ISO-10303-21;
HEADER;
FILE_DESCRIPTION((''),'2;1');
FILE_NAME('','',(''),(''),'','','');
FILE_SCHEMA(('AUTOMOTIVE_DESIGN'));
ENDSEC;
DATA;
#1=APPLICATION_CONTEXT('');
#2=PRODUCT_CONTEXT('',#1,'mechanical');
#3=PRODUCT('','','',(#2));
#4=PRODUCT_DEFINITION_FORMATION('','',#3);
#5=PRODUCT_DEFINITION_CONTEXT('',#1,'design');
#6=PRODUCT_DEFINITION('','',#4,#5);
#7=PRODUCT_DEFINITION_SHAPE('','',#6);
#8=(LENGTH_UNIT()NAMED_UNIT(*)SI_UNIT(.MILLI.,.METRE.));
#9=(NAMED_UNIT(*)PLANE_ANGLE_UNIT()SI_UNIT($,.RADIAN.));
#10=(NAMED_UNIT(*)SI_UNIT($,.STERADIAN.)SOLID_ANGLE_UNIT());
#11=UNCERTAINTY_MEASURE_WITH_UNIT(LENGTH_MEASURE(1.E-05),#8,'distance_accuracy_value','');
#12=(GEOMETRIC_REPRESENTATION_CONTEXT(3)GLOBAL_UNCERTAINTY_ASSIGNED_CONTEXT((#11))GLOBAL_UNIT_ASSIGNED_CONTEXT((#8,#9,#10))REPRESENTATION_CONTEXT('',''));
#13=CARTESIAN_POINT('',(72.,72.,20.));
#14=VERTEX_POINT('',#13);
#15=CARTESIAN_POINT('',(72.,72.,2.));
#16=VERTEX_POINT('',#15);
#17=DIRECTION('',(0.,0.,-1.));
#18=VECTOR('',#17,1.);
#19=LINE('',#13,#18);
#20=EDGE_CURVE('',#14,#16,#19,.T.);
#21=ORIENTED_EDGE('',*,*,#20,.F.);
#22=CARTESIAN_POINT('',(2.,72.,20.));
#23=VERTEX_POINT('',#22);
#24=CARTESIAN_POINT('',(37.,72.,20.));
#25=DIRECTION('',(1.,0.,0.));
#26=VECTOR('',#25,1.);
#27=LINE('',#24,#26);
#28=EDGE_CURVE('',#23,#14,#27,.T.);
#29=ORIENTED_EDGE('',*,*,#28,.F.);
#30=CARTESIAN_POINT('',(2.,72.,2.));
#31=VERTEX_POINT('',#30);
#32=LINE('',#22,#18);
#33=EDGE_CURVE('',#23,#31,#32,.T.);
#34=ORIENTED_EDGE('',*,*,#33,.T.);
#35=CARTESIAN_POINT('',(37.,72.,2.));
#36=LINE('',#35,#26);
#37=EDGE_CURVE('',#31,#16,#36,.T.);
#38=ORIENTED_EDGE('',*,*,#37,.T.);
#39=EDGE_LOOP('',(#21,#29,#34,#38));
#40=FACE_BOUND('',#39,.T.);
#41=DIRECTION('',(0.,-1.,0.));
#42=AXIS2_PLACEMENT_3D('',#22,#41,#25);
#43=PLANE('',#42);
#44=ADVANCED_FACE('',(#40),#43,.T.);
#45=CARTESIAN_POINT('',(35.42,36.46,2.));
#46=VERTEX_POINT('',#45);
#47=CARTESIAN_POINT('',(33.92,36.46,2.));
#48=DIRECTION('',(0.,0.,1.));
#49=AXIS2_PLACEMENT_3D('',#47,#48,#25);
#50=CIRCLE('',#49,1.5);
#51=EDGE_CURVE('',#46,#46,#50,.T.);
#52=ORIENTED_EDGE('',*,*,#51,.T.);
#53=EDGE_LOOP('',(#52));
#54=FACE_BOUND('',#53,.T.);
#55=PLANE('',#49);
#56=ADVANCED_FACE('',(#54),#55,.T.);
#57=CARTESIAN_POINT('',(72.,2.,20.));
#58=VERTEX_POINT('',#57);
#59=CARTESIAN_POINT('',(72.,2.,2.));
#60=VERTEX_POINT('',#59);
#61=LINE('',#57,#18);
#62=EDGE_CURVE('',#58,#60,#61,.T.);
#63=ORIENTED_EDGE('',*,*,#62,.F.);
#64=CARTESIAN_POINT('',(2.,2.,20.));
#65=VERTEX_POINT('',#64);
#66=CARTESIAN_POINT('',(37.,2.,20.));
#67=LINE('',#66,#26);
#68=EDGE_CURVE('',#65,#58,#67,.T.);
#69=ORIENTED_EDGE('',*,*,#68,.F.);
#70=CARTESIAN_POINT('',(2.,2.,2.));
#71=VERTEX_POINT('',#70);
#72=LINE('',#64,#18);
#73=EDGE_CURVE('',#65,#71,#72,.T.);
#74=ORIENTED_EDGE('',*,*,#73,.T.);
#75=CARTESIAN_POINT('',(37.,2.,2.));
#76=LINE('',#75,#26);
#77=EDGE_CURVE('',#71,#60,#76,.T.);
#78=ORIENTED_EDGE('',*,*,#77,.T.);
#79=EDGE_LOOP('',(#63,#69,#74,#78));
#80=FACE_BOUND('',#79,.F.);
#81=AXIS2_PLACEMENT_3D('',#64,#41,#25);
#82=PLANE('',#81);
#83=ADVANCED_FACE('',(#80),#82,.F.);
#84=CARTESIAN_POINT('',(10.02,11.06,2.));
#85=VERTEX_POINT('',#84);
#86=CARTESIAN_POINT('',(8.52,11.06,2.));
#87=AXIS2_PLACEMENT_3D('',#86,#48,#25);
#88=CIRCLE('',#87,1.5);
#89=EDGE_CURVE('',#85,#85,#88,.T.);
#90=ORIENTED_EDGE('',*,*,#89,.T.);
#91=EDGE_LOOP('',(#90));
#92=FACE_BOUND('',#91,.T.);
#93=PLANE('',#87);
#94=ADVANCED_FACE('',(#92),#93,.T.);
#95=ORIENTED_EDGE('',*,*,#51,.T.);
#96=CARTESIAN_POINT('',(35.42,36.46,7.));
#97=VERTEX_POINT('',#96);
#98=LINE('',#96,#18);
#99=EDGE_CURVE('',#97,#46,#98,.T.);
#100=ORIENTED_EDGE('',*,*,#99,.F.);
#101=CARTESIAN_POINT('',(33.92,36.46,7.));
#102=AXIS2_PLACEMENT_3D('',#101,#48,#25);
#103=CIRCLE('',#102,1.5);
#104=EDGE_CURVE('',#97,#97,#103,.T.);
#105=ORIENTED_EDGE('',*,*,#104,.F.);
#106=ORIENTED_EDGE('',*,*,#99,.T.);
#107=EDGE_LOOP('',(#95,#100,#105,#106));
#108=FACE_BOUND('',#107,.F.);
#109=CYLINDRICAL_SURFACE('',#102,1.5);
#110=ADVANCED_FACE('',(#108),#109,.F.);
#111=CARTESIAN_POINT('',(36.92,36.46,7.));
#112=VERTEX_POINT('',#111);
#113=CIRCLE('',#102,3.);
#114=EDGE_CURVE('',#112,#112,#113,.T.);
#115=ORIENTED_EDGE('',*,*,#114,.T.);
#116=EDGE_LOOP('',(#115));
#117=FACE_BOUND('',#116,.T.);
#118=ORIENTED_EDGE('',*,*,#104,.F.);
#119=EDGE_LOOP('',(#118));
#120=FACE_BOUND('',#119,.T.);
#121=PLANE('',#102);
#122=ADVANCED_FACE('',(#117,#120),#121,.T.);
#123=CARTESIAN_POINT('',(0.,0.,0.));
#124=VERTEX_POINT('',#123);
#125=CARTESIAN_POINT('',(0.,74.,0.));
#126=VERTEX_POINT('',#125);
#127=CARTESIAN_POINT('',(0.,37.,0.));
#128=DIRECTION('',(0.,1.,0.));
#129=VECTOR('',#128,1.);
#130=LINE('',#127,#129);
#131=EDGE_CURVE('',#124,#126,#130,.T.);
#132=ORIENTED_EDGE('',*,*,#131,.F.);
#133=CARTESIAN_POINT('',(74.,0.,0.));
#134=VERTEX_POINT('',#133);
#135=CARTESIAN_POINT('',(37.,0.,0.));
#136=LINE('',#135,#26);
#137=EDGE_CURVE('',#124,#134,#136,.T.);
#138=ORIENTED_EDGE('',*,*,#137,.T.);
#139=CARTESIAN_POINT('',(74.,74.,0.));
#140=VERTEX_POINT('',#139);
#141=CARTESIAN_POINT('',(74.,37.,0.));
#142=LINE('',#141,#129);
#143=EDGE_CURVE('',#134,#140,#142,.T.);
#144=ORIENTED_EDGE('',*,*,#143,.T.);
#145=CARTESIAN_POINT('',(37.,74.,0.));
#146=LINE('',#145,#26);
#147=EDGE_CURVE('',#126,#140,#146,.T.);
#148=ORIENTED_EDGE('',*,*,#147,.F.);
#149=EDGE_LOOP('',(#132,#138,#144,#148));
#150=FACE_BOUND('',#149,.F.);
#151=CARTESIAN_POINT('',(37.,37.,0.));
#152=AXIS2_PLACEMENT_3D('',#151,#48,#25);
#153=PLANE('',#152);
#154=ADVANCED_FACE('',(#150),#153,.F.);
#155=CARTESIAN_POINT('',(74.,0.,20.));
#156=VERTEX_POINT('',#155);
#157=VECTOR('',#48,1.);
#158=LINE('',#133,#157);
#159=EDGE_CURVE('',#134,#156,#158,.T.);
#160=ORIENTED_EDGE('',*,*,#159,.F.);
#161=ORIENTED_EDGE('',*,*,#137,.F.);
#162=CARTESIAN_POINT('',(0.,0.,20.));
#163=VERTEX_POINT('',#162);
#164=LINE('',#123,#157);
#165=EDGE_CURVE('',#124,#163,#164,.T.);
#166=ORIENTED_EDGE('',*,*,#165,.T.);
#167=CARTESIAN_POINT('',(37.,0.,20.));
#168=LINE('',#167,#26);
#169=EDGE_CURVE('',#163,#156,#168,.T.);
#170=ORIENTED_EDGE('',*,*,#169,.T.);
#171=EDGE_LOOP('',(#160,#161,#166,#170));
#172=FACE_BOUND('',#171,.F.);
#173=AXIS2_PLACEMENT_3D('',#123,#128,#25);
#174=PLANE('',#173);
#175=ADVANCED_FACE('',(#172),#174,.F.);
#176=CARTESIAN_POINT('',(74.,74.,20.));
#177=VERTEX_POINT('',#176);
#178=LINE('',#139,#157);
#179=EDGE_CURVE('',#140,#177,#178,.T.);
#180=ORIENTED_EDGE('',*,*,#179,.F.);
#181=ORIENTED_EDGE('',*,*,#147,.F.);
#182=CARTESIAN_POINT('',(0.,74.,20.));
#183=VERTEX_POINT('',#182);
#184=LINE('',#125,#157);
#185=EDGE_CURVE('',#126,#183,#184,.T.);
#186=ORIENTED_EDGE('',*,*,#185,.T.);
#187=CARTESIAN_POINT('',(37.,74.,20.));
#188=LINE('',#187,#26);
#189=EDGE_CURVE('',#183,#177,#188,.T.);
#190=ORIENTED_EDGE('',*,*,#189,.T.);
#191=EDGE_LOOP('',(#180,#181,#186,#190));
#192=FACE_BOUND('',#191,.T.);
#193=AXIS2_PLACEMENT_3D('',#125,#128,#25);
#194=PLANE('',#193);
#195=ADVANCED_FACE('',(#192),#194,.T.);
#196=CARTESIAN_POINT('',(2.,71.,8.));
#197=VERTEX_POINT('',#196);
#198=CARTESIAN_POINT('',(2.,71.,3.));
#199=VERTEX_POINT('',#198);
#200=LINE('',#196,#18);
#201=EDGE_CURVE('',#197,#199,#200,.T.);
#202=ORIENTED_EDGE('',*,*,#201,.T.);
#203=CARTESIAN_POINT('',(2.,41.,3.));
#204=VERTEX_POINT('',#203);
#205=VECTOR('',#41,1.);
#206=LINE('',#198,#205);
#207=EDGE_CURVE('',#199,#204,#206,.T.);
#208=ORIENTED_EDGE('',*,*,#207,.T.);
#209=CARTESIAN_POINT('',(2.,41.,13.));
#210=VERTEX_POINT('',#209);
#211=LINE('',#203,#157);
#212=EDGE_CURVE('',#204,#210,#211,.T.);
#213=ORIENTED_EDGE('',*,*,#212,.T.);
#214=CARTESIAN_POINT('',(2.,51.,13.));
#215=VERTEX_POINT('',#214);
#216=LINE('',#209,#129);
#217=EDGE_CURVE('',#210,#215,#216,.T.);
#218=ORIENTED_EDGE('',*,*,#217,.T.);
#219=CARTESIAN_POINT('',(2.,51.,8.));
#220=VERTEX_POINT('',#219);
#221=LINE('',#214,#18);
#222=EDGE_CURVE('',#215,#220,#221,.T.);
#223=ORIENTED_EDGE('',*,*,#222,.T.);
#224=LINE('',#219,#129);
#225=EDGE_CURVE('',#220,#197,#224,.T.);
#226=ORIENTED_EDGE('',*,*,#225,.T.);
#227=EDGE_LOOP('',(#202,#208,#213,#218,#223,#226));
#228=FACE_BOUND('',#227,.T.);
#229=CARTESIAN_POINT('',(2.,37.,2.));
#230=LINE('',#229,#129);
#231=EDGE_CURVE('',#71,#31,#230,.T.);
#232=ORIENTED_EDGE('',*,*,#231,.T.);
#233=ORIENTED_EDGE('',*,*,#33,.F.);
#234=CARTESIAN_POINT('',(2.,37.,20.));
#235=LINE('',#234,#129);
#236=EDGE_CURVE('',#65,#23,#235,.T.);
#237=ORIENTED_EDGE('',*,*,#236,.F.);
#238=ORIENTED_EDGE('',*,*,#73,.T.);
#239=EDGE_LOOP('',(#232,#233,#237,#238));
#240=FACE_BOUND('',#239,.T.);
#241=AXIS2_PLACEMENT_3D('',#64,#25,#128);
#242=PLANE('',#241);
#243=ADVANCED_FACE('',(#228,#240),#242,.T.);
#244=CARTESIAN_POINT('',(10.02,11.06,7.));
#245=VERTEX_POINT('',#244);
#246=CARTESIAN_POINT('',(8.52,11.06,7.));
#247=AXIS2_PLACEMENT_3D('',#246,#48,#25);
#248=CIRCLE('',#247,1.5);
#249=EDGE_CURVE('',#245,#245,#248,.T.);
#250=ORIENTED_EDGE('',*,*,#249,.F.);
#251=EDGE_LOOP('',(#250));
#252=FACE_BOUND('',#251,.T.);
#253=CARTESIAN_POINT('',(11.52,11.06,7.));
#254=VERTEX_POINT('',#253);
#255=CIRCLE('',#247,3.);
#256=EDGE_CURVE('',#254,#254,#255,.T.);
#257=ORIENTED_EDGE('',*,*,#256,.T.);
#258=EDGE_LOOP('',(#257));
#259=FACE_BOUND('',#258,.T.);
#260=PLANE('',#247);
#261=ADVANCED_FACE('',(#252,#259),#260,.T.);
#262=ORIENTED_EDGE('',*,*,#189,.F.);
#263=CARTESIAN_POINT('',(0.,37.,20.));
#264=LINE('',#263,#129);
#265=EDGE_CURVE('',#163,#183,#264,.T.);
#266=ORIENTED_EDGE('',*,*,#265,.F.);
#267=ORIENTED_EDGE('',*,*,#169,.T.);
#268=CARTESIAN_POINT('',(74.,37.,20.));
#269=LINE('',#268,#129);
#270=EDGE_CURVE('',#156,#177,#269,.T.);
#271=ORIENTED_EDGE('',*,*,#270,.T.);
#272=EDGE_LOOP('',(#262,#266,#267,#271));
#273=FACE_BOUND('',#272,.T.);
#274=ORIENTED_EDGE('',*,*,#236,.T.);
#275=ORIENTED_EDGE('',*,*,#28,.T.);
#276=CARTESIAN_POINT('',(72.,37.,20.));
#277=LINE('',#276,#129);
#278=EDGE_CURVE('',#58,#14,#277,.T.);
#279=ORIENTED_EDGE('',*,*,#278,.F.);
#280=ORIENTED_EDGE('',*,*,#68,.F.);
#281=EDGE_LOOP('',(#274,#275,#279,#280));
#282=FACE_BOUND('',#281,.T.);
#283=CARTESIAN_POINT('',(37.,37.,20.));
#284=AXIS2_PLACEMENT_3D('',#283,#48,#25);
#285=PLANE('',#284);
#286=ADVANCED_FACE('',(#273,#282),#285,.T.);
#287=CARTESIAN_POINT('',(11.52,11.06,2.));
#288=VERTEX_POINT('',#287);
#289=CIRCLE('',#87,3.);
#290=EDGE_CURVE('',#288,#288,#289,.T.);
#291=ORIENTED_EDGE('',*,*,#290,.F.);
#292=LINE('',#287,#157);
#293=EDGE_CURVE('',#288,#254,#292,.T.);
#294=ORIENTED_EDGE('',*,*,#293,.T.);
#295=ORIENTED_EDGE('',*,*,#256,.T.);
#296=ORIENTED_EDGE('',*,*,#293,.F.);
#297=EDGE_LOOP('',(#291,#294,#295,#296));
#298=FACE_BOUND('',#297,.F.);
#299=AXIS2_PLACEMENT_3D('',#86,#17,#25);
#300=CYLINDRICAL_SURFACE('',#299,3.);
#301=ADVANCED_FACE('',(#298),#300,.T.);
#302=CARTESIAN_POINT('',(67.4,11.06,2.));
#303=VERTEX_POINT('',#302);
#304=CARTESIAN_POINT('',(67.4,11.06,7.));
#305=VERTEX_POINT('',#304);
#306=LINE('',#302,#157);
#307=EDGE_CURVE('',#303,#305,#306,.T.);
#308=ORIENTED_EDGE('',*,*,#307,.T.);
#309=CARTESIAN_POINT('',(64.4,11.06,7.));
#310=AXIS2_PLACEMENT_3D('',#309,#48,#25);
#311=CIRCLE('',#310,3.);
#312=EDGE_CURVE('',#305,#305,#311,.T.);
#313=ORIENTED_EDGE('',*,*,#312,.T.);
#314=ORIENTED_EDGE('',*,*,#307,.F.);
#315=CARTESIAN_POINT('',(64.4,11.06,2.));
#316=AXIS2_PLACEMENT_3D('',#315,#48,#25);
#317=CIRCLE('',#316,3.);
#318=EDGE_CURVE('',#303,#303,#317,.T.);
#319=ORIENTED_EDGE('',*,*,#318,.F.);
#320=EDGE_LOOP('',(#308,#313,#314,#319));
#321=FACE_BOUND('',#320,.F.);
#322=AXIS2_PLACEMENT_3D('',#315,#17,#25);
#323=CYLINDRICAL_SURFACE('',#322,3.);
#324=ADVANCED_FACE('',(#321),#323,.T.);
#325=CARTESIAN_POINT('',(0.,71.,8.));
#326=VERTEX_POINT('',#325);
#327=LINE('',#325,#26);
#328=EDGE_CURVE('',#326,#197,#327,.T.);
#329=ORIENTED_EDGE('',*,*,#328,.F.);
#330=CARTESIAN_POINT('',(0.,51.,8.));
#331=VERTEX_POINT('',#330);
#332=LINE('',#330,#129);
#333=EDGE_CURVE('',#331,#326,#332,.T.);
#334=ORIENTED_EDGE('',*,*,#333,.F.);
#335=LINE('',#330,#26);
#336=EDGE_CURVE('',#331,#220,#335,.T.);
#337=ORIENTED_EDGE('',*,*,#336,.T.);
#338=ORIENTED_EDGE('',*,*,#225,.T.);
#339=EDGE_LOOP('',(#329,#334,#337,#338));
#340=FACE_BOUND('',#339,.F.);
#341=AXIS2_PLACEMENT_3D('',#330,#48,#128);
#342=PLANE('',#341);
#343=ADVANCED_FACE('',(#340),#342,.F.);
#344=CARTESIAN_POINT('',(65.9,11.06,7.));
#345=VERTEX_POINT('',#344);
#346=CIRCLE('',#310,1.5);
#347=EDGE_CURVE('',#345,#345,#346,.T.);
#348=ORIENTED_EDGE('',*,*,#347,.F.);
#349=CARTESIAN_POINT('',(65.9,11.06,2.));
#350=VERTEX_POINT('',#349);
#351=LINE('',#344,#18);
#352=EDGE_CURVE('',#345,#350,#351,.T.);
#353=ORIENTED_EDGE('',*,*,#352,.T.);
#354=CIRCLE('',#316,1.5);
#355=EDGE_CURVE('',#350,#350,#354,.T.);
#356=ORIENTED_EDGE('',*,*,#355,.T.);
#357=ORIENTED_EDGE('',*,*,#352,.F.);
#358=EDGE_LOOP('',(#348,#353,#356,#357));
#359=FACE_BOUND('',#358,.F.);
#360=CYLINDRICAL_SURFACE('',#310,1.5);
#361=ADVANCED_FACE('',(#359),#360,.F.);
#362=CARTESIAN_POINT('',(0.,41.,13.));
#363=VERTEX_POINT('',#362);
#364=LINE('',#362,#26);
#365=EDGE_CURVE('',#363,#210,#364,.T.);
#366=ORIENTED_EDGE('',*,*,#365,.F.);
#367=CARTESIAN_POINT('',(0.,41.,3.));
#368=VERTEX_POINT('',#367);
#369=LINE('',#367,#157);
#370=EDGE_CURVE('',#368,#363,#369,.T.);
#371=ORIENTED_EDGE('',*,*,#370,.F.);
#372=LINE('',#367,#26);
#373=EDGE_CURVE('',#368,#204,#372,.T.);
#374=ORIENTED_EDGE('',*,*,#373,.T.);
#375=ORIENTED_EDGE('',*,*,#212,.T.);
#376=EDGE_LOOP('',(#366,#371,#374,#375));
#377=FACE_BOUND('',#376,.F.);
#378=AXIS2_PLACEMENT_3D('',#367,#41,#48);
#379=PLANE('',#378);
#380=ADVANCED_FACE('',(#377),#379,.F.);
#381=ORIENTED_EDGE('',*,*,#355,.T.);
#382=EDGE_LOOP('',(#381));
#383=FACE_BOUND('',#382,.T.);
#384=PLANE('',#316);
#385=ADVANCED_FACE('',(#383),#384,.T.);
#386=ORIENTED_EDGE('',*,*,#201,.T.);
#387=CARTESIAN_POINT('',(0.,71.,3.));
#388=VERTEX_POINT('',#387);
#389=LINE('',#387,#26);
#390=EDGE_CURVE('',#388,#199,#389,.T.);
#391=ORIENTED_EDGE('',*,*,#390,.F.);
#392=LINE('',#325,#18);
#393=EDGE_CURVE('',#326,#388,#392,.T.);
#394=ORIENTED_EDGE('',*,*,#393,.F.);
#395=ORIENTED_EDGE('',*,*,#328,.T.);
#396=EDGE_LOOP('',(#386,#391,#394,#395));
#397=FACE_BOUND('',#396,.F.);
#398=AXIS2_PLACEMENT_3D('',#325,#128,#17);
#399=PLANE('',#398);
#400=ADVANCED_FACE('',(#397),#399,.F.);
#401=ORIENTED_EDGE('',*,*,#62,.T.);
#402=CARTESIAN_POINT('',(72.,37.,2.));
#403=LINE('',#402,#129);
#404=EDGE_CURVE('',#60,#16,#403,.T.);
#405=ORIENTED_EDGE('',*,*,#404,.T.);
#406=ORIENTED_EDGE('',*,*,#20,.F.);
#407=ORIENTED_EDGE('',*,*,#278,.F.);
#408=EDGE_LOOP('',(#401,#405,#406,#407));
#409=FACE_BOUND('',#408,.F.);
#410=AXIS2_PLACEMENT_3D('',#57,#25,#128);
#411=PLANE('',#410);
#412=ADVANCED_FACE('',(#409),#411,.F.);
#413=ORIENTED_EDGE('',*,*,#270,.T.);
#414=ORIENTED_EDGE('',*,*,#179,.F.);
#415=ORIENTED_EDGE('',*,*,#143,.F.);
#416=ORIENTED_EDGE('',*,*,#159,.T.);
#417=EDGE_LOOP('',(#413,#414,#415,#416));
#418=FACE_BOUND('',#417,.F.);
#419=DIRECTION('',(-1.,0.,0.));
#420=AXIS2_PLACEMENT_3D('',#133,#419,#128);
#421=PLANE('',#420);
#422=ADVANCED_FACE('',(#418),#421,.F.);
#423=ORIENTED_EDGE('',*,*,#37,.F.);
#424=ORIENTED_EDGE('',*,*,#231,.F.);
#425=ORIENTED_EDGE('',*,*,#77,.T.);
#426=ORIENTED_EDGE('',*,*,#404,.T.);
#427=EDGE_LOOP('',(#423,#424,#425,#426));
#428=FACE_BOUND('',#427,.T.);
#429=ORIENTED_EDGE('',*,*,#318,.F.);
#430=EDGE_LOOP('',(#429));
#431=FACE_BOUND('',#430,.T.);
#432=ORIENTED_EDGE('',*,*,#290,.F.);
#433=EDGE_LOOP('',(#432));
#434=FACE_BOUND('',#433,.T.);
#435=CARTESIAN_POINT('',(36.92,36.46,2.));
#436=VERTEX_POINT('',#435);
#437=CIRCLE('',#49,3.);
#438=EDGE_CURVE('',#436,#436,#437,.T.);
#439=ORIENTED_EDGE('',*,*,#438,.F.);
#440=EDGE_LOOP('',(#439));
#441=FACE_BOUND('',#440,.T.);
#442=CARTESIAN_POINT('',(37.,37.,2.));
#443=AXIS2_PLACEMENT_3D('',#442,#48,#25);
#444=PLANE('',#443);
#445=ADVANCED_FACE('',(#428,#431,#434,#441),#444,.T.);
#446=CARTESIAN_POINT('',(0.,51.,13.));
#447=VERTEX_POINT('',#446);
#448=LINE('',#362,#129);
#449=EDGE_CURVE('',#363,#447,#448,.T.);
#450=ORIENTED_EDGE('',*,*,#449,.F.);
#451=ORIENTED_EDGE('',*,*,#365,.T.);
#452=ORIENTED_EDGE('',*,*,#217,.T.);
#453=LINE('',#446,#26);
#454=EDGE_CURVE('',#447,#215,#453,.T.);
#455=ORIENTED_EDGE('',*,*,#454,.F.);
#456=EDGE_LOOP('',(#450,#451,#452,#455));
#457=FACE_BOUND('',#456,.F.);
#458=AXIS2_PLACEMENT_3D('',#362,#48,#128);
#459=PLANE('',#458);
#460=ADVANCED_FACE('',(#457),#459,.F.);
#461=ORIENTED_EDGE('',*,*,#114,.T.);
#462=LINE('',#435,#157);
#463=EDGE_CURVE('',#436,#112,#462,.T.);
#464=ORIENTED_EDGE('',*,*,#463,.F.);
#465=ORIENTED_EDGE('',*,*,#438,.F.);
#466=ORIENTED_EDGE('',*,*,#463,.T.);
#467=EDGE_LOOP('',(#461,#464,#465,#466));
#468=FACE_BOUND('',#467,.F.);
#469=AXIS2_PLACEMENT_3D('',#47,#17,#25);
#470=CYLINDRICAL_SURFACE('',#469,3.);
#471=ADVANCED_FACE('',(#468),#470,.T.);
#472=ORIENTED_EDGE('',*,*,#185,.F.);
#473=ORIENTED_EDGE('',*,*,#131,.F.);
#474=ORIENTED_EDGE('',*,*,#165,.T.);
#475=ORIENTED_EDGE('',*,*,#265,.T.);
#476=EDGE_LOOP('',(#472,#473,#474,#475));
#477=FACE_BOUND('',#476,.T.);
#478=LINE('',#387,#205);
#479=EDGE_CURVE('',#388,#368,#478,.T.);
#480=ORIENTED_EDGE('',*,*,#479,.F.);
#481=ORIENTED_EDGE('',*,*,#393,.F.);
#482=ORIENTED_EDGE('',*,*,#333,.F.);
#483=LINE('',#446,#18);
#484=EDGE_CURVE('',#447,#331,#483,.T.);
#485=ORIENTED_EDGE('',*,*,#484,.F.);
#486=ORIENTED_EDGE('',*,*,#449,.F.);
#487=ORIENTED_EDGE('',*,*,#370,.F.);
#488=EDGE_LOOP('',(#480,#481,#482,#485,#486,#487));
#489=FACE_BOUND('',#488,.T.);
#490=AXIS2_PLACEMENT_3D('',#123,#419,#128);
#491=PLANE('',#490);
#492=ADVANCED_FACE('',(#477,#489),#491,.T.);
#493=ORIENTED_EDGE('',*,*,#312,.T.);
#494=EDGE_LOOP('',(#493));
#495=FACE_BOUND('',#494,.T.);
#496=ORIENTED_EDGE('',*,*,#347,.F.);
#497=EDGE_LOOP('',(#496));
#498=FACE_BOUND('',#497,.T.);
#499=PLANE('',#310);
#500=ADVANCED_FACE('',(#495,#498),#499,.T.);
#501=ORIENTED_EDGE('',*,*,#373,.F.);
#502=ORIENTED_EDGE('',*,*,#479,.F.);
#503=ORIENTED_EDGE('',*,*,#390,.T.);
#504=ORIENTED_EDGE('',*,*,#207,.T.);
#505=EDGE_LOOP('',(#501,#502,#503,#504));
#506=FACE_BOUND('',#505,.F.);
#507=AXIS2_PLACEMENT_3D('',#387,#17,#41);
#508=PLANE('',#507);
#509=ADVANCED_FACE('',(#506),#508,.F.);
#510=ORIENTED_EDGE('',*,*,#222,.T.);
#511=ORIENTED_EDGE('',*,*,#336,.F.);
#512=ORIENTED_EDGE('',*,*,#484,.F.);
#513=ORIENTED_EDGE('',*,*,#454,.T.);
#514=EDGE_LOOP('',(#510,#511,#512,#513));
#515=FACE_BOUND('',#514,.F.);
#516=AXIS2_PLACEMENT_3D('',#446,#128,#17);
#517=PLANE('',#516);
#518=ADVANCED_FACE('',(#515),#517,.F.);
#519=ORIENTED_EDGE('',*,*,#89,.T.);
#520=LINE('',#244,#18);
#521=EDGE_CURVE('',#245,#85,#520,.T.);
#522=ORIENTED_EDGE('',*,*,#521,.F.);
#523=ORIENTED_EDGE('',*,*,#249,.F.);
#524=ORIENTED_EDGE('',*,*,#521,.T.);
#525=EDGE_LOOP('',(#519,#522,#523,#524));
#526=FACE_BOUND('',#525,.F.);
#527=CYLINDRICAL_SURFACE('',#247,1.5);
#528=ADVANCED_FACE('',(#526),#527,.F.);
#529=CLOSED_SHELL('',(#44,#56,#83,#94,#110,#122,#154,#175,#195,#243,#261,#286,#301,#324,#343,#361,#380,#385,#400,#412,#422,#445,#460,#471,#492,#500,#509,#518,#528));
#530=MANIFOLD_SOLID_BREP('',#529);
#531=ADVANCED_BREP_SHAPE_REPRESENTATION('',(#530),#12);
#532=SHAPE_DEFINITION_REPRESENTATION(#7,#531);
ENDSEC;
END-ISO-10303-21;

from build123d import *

# Parameters (mm, degrees)
SKETCH002_W     = 74
SKETCH002_H     = 74
PAD001_DEPTH    = 20
SKETCH003_W     = 70
SKETCH003_H     = 70
POCKET001_DEPTH = 18
SKETCH_R        = 3
PAD_DEPTH       = 5
SKETCH004_R     = 1.5
POCKET_DEPTH    = 5
POCKET002_DEPTH = 2


with BuildPart() as part:
    # Sketch002 → Pad001 (new body)
    with BuildSketch(Plane.XY):
        with Locations((37, 37)):
            Rectangle(SKETCH002_W, SKETCH002_H)
    extrude(amount=PAD001_DEPTH)

    # Sketch003 (on Face6 of Pad001) → Pocket001 (cut)
    with BuildSketch(Plane.XY.offset(20)):
        with Locations((37, 37)):
            Rectangle(SKETCH003_W, SKETCH003_H)
    extrude(amount=-POCKET001_DEPTH, mode=Mode.SUBTRACT)

    # Sketch (on Face11 of Pocket001) → Pad (join)
    with BuildSketch(Plane.XY.offset(2)):
        with Locations((8.52, 11.06)):
            Circle(SKETCH_R)
        with Locations((33.92, 36.46)):
            Circle(SKETCH_R)
        with Locations((64.4, 11.06)):
            Circle(SKETCH_R)
    extrude(amount=PAD_DEPTH)

    # Sketch004 (on Face17 of Pad) → Pocket (cut)
    with BuildSketch(Plane.XY.offset(7)):
        with Locations((8.52, 11.06)):
            Circle(SKETCH004_R)
        with Locations((64.4, 11.06)):
            Circle(SKETCH004_R)
        with Locations((33.92, 36.46)):
            Circle(SKETCH004_R)
    extrude(amount=-POCKET_DEPTH, mode=Mode.SUBTRACT)

    # Sketch005 (on Face2 of Pocket) → Pocket002 (cut)
    with BuildSketch(Plane(origin=(0, 0, 0), x_dir=(0, -1, 0), z_dir=(-1, 0, 0))):
        Polygon((-71, 8), (-71, 3), (-41, 3), (-41, 13), (-51, 13), (-51, 8), align=None)
    extrude(amount=-POCKET002_DEPTH, mode=Mode.SUBTRACT)


solid = part.part
